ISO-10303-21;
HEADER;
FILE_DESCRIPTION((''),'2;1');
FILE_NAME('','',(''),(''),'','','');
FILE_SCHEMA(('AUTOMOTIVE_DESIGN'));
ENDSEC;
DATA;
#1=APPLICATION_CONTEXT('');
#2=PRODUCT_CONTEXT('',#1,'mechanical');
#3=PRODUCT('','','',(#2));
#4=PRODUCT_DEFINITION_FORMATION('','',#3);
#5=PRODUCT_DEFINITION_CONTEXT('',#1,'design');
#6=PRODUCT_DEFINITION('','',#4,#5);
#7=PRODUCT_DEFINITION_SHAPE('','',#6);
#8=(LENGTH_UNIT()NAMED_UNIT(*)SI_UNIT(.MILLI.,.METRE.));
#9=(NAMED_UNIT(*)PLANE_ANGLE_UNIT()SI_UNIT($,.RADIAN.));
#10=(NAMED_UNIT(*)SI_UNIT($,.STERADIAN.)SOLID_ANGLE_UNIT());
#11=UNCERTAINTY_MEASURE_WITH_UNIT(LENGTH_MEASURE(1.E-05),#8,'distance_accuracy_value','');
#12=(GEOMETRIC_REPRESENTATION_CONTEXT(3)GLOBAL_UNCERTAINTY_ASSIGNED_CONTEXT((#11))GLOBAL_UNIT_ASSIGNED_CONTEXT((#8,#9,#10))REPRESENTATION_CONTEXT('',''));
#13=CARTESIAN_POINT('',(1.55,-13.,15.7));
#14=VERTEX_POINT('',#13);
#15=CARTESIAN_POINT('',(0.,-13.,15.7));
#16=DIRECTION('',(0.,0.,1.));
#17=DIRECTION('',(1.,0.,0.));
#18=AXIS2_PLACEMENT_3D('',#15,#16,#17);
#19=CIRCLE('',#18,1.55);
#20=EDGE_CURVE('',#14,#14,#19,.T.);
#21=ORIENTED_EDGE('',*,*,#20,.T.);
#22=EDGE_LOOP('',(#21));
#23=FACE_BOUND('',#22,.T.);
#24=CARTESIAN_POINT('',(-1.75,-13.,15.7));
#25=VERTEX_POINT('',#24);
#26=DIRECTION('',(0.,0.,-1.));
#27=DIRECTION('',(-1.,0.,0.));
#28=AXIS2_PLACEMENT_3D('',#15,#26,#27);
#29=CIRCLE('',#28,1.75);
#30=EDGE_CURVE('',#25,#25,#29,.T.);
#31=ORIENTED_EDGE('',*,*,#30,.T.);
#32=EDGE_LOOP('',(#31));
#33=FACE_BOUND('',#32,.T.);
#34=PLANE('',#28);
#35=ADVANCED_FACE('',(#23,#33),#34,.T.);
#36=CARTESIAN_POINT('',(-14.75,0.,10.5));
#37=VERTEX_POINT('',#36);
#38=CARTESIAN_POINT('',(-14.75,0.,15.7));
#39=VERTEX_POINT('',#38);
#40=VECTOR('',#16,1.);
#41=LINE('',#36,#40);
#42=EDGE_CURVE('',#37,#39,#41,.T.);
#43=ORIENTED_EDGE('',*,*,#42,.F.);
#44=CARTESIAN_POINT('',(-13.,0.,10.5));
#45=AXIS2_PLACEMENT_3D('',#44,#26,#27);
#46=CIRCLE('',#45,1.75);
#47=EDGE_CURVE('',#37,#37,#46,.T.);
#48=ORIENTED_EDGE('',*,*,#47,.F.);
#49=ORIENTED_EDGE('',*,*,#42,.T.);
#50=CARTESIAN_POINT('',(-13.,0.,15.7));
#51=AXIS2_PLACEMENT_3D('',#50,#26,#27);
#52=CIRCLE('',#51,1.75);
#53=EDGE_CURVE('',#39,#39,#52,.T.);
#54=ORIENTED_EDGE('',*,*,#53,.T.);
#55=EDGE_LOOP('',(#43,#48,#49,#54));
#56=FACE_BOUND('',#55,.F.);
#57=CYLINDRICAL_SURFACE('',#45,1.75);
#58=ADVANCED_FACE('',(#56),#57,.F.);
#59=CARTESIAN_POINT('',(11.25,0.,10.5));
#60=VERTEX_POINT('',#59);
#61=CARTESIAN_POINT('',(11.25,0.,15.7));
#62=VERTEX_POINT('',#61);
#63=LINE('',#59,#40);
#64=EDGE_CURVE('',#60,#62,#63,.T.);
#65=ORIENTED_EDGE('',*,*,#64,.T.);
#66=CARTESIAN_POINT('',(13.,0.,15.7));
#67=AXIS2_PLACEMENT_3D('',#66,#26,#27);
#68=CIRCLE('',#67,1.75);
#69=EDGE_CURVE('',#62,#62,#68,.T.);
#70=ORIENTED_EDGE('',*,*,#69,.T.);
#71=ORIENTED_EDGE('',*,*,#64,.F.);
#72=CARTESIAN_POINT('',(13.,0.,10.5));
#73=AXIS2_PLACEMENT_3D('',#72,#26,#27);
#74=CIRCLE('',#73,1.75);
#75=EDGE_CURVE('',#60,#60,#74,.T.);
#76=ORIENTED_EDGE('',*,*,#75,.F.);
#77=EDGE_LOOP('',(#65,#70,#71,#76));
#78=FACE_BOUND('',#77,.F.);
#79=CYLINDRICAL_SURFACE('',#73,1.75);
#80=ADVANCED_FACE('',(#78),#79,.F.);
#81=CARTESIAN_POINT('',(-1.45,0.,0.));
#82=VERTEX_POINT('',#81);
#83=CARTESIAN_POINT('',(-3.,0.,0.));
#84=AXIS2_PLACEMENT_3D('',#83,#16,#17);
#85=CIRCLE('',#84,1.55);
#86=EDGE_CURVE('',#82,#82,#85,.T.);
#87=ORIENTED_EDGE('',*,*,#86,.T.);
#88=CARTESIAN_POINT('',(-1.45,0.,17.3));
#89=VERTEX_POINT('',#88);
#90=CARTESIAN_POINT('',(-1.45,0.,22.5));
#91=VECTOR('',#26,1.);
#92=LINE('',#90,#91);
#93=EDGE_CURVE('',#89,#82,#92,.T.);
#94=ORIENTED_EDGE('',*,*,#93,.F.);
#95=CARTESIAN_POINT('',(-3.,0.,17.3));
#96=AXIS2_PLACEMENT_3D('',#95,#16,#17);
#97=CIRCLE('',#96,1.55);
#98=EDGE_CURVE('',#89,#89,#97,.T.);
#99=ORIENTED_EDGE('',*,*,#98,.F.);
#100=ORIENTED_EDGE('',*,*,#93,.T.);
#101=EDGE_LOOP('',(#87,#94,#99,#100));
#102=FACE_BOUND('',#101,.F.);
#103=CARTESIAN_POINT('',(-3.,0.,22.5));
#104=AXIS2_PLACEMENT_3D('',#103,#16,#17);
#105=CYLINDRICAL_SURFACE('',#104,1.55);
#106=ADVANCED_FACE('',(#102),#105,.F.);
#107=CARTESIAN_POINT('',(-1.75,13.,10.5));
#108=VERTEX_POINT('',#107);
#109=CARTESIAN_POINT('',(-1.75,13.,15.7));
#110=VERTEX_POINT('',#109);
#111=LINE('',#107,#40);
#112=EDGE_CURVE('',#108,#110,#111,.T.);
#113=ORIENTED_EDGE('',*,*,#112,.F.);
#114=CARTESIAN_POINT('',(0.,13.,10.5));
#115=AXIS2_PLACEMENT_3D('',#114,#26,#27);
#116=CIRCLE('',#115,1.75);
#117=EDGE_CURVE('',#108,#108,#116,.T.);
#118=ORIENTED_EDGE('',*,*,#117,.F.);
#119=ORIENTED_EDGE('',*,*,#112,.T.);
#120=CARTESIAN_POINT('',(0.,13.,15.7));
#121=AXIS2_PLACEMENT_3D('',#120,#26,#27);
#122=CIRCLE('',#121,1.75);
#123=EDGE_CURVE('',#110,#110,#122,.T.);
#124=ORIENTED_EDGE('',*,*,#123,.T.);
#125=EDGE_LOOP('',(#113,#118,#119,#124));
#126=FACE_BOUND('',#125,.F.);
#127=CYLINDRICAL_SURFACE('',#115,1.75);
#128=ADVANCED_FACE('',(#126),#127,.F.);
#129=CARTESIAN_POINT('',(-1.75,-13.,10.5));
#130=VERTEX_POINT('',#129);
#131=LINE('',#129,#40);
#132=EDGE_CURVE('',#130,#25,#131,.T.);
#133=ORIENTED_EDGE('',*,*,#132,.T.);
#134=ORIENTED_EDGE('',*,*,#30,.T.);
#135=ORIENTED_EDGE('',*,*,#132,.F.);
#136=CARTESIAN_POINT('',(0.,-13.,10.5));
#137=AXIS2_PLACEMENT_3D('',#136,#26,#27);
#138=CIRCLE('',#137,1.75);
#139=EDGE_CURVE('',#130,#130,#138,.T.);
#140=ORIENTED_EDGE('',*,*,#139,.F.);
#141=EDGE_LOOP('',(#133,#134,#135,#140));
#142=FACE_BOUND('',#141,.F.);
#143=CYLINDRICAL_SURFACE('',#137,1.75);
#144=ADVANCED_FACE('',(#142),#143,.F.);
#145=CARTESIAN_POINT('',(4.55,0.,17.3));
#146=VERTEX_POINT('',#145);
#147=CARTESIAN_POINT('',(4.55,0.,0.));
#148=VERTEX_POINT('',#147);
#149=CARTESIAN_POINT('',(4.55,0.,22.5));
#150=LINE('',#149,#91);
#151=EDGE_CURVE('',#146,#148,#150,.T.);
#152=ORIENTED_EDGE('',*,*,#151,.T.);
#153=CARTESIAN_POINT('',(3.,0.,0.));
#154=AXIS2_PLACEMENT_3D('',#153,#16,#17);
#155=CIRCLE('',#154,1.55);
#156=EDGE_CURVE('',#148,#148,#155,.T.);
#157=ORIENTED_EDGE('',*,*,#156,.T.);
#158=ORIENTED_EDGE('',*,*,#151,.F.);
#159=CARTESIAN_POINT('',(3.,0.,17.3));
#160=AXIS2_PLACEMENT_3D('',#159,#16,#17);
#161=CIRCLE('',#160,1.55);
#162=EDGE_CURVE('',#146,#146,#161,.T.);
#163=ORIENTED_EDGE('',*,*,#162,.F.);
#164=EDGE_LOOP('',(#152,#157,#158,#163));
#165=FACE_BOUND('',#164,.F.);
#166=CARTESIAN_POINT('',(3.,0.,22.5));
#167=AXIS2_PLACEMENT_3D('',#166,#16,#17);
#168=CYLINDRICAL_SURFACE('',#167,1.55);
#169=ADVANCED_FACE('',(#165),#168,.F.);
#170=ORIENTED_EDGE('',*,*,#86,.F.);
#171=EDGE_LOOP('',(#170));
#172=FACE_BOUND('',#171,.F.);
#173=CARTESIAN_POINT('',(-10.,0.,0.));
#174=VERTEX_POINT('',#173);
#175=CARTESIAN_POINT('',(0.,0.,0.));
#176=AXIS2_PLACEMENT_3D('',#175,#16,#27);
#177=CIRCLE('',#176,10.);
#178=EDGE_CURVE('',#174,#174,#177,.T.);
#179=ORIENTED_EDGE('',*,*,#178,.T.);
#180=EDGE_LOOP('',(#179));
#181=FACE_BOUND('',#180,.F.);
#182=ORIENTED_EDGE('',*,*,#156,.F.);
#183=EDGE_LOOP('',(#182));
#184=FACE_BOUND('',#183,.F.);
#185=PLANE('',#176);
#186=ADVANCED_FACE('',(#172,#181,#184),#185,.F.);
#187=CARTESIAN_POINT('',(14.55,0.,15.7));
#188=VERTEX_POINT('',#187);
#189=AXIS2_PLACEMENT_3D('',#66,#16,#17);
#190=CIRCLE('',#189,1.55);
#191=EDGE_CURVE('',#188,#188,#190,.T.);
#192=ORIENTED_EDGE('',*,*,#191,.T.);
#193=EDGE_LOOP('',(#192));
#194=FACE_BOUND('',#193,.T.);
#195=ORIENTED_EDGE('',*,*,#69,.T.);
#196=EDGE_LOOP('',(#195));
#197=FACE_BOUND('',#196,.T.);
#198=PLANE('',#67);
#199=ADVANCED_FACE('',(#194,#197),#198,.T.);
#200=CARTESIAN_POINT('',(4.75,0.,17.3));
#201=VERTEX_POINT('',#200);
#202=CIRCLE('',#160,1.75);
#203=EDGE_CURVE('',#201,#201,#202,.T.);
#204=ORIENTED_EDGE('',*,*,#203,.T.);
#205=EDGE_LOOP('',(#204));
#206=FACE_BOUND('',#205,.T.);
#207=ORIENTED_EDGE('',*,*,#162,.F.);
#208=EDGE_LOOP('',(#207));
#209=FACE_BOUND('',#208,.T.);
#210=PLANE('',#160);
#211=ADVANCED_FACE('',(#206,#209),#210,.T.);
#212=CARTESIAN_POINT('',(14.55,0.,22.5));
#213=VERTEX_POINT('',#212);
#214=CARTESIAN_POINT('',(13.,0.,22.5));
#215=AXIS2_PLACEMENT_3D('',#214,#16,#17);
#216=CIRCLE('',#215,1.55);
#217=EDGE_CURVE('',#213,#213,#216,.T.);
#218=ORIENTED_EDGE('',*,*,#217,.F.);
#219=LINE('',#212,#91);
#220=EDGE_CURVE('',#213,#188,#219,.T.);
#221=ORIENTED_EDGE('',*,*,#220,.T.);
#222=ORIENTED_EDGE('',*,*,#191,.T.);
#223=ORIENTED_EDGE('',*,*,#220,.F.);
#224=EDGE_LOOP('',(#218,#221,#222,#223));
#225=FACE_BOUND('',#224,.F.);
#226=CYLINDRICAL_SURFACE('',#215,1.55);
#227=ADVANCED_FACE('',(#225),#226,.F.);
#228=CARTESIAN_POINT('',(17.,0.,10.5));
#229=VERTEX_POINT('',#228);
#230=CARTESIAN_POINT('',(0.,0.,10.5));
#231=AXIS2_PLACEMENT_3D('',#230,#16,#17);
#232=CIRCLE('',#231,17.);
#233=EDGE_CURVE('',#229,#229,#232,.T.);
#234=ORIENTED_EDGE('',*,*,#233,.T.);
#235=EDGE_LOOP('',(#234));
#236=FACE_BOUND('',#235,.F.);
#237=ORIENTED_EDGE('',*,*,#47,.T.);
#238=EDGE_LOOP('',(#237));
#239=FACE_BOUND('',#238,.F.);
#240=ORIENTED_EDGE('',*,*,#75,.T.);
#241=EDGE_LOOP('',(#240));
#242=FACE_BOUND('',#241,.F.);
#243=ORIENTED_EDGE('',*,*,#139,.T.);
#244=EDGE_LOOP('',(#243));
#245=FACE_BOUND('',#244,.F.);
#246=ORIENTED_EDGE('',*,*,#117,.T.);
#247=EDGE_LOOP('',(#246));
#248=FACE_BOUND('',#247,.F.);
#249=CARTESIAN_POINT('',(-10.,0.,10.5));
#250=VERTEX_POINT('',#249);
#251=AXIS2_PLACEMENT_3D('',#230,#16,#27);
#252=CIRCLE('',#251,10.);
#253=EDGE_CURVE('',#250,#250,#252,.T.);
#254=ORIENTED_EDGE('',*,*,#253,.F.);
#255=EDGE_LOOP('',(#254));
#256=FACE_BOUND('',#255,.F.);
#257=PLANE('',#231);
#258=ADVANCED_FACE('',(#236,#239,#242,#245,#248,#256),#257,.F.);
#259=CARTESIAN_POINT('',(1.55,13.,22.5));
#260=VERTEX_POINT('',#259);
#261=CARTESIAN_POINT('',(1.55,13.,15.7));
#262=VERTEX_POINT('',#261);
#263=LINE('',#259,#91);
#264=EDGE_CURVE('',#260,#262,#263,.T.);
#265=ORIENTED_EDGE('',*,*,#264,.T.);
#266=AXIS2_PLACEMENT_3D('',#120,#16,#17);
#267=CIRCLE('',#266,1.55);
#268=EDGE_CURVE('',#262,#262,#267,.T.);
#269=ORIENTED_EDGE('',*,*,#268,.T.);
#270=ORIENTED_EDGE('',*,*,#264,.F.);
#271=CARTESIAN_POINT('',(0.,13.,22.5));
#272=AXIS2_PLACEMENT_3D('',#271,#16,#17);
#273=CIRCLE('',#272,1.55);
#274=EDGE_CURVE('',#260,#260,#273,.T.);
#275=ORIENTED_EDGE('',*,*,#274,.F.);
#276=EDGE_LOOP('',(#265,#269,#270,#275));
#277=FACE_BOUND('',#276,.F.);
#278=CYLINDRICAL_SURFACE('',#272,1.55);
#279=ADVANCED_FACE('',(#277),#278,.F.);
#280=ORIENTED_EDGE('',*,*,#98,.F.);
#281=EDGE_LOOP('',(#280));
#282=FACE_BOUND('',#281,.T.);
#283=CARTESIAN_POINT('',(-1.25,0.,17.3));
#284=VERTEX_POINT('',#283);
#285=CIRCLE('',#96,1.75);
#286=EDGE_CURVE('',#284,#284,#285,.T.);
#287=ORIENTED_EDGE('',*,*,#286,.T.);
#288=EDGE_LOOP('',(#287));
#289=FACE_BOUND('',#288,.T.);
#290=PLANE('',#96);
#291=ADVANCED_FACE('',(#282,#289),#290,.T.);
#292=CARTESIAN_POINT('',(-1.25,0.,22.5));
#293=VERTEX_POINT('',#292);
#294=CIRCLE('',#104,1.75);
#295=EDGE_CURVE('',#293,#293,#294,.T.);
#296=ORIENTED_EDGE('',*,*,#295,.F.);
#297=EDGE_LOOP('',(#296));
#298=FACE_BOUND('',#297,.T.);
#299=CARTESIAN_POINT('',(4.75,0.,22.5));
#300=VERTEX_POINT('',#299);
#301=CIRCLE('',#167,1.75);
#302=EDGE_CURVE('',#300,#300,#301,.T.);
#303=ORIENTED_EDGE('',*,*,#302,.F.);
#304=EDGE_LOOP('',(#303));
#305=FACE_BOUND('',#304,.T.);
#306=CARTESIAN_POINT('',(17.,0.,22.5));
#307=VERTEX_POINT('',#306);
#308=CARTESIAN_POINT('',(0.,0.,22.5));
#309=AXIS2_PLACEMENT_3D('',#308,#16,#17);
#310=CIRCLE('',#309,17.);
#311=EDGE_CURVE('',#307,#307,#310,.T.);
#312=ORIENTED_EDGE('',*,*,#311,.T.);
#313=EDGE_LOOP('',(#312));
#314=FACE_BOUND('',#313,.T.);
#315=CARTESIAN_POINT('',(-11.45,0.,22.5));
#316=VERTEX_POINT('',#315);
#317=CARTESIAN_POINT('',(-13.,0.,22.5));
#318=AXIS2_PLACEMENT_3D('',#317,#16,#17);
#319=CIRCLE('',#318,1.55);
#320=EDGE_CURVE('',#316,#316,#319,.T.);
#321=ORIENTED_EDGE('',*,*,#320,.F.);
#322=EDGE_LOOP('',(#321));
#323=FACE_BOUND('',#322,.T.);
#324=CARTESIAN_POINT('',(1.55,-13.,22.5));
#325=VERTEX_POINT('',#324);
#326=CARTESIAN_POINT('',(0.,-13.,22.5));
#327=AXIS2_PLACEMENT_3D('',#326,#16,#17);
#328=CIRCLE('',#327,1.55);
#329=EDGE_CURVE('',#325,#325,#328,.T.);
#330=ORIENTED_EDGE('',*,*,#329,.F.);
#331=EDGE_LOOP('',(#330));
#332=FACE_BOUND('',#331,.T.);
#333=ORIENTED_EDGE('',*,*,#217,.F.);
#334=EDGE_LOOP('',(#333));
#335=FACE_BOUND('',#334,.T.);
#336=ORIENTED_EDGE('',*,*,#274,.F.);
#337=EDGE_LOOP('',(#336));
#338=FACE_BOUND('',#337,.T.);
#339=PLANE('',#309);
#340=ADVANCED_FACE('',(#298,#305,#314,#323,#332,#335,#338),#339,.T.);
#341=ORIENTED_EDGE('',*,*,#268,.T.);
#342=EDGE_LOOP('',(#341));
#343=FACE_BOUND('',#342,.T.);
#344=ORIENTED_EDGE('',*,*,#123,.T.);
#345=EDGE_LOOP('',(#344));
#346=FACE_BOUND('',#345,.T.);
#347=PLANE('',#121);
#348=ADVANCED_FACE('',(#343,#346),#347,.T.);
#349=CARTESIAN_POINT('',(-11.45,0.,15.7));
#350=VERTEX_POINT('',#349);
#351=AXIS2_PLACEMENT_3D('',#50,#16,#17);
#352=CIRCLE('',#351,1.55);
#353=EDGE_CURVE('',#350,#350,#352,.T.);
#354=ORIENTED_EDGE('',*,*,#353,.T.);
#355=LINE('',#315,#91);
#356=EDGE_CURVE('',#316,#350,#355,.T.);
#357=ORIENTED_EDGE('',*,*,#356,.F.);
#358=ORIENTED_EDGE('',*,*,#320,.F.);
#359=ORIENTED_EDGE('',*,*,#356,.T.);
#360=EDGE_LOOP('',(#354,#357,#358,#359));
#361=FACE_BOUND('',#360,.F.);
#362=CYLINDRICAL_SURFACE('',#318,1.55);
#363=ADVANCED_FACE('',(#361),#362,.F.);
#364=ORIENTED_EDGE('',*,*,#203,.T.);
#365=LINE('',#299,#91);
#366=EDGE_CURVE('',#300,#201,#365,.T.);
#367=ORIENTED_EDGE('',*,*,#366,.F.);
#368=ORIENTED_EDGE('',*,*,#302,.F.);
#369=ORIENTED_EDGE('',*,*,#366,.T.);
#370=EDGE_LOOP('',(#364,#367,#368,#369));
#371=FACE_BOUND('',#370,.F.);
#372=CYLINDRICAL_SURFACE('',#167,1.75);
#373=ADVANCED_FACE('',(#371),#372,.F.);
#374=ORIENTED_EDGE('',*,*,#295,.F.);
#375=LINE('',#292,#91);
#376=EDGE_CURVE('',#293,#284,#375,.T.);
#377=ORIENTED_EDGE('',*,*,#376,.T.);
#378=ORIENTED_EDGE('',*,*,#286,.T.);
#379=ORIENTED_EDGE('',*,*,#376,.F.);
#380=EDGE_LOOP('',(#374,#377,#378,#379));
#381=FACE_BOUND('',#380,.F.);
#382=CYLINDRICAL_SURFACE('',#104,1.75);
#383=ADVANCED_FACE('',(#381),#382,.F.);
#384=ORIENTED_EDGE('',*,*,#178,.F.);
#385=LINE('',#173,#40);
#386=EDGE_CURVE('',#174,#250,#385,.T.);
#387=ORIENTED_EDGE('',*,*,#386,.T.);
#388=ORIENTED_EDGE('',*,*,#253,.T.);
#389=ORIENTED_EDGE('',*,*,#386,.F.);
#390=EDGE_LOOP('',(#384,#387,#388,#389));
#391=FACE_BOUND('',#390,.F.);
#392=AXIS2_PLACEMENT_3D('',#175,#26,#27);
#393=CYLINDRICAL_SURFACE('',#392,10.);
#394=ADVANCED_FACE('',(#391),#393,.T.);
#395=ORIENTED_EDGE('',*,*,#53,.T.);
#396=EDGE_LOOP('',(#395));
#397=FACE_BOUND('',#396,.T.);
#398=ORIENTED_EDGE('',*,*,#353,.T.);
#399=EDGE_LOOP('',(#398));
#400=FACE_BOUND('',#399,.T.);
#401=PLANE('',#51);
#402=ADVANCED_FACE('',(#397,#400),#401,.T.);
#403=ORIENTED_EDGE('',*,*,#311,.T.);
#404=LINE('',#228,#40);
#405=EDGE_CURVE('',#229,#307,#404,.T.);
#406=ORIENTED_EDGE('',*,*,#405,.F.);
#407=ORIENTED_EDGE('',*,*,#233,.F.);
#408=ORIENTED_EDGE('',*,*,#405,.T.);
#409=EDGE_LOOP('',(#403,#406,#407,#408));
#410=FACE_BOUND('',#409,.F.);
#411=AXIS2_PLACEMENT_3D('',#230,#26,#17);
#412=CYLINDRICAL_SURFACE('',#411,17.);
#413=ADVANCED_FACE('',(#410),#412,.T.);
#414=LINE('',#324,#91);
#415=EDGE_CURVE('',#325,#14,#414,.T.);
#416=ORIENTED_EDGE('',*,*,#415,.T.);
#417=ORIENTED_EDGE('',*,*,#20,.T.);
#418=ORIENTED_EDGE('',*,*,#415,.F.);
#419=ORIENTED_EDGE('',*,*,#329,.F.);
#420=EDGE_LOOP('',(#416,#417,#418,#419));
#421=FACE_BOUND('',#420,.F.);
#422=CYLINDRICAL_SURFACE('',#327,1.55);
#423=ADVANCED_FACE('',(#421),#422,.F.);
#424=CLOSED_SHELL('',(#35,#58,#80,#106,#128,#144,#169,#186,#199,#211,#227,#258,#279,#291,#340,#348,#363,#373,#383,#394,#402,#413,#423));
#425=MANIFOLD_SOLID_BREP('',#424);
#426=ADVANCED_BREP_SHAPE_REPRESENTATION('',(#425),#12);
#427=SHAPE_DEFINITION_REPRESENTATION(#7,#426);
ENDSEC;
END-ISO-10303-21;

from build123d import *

# Parameters (mm, degrees)
SKETCH1_R           = 10
BOSS_EXTRUDE1_DEPTH = 10.5
SKETCH3_R           = 17
BOSS_EXTRUDE2_DEPTH = 12
SKETCH4_R           = 1.55
CUT_EXTRUDE3_DEPTH  = 33.927951652
SKETCH5_R           = 1.55
CUT_EXTRUDE5_DEPTH  = 33.927951652
SKETCH6_R           = 1.75
CUT_EXTRUDE6_DEPTH  = 5.2
SKETCH7_R           = 1.75
CUT_EXTRUDE7_DEPTH  = 5.2


with BuildPart() as part:
    # Sketch1 → Boss-Extrude1 (new body)
    with BuildSketch(Plane.XY):
        with Locations(Location((0, 0, 0), (0, 0, 180))):
            Circle(SKETCH1_R)
    extrude(amount=BOSS_EXTRUDE1_DEPTH)

    # Sketch3 → Boss-Extrude2 (add)
    with BuildSketch(Plane.XY.offset(10.5)):
        Circle(SKETCH3_R)
    extrude(amount=BOSS_EXTRUDE2_DEPTH)

    # Sketch4 → Cut-Extrude3 (cut, through all)
    with BuildSketch(Plane.XY.offset(22.5)):
        with Locations((3, 0)):
            Circle(SKETCH4_R)
        with Locations((-3, 0)):
            Circle(SKETCH4_R)
    extrude(amount=-CUT_EXTRUDE3_DEPTH, mode=Mode.SUBTRACT)

    # Sketch5 → Cut-Extrude5 (cut, through all)
    with BuildSketch(Plane.XY.offset(22.5)):
        with Locations((13, 0)):
            Circle(SKETCH5_R)
        with Locations((0, -13)):
            Circle(SKETCH5_R)
        with Locations((-13, 0)):
            Circle(SKETCH5_R)
        with Locations((0, 13)):
            Circle(SKETCH5_R)
    extrude(amount=-CUT_EXTRUDE5_DEPTH, mode=Mode.SUBTRACT)

    # Sketch6 → Cut-Extrude6 (cut)
    with BuildSketch(Plane(origin=(0, 0, 10.5), x_dir=(-1, 0, 0), z_dir=(0, 0, -1))):
        with Locations((13, 0)):
            Circle(SKETCH6_R)
        with Locations((0, -13)):
            Circle(SKETCH6_R)
        with Locations((-13, 0)):
            Circle(SKETCH6_R)
        with Locations((0, 13)):
            Circle(SKETCH6_R)
    extrude(amount=-CUT_EXTRUDE6_DEPTH, mode=Mode.SUBTRACT)

    # Sketch7 → Cut-Extrude7 (cut)
    with BuildSketch(Plane.XY.offset(22.5)):
        with Locations((3, 0)):
            Circle(SKETCH7_R)
        with Locations((-3, 0)):
            Circle(SKETCH7_R)
    extrude(amount=-CUT_EXTRUDE7_DEPTH, mode=Mode.SUBTRACT)


solid = part.part
